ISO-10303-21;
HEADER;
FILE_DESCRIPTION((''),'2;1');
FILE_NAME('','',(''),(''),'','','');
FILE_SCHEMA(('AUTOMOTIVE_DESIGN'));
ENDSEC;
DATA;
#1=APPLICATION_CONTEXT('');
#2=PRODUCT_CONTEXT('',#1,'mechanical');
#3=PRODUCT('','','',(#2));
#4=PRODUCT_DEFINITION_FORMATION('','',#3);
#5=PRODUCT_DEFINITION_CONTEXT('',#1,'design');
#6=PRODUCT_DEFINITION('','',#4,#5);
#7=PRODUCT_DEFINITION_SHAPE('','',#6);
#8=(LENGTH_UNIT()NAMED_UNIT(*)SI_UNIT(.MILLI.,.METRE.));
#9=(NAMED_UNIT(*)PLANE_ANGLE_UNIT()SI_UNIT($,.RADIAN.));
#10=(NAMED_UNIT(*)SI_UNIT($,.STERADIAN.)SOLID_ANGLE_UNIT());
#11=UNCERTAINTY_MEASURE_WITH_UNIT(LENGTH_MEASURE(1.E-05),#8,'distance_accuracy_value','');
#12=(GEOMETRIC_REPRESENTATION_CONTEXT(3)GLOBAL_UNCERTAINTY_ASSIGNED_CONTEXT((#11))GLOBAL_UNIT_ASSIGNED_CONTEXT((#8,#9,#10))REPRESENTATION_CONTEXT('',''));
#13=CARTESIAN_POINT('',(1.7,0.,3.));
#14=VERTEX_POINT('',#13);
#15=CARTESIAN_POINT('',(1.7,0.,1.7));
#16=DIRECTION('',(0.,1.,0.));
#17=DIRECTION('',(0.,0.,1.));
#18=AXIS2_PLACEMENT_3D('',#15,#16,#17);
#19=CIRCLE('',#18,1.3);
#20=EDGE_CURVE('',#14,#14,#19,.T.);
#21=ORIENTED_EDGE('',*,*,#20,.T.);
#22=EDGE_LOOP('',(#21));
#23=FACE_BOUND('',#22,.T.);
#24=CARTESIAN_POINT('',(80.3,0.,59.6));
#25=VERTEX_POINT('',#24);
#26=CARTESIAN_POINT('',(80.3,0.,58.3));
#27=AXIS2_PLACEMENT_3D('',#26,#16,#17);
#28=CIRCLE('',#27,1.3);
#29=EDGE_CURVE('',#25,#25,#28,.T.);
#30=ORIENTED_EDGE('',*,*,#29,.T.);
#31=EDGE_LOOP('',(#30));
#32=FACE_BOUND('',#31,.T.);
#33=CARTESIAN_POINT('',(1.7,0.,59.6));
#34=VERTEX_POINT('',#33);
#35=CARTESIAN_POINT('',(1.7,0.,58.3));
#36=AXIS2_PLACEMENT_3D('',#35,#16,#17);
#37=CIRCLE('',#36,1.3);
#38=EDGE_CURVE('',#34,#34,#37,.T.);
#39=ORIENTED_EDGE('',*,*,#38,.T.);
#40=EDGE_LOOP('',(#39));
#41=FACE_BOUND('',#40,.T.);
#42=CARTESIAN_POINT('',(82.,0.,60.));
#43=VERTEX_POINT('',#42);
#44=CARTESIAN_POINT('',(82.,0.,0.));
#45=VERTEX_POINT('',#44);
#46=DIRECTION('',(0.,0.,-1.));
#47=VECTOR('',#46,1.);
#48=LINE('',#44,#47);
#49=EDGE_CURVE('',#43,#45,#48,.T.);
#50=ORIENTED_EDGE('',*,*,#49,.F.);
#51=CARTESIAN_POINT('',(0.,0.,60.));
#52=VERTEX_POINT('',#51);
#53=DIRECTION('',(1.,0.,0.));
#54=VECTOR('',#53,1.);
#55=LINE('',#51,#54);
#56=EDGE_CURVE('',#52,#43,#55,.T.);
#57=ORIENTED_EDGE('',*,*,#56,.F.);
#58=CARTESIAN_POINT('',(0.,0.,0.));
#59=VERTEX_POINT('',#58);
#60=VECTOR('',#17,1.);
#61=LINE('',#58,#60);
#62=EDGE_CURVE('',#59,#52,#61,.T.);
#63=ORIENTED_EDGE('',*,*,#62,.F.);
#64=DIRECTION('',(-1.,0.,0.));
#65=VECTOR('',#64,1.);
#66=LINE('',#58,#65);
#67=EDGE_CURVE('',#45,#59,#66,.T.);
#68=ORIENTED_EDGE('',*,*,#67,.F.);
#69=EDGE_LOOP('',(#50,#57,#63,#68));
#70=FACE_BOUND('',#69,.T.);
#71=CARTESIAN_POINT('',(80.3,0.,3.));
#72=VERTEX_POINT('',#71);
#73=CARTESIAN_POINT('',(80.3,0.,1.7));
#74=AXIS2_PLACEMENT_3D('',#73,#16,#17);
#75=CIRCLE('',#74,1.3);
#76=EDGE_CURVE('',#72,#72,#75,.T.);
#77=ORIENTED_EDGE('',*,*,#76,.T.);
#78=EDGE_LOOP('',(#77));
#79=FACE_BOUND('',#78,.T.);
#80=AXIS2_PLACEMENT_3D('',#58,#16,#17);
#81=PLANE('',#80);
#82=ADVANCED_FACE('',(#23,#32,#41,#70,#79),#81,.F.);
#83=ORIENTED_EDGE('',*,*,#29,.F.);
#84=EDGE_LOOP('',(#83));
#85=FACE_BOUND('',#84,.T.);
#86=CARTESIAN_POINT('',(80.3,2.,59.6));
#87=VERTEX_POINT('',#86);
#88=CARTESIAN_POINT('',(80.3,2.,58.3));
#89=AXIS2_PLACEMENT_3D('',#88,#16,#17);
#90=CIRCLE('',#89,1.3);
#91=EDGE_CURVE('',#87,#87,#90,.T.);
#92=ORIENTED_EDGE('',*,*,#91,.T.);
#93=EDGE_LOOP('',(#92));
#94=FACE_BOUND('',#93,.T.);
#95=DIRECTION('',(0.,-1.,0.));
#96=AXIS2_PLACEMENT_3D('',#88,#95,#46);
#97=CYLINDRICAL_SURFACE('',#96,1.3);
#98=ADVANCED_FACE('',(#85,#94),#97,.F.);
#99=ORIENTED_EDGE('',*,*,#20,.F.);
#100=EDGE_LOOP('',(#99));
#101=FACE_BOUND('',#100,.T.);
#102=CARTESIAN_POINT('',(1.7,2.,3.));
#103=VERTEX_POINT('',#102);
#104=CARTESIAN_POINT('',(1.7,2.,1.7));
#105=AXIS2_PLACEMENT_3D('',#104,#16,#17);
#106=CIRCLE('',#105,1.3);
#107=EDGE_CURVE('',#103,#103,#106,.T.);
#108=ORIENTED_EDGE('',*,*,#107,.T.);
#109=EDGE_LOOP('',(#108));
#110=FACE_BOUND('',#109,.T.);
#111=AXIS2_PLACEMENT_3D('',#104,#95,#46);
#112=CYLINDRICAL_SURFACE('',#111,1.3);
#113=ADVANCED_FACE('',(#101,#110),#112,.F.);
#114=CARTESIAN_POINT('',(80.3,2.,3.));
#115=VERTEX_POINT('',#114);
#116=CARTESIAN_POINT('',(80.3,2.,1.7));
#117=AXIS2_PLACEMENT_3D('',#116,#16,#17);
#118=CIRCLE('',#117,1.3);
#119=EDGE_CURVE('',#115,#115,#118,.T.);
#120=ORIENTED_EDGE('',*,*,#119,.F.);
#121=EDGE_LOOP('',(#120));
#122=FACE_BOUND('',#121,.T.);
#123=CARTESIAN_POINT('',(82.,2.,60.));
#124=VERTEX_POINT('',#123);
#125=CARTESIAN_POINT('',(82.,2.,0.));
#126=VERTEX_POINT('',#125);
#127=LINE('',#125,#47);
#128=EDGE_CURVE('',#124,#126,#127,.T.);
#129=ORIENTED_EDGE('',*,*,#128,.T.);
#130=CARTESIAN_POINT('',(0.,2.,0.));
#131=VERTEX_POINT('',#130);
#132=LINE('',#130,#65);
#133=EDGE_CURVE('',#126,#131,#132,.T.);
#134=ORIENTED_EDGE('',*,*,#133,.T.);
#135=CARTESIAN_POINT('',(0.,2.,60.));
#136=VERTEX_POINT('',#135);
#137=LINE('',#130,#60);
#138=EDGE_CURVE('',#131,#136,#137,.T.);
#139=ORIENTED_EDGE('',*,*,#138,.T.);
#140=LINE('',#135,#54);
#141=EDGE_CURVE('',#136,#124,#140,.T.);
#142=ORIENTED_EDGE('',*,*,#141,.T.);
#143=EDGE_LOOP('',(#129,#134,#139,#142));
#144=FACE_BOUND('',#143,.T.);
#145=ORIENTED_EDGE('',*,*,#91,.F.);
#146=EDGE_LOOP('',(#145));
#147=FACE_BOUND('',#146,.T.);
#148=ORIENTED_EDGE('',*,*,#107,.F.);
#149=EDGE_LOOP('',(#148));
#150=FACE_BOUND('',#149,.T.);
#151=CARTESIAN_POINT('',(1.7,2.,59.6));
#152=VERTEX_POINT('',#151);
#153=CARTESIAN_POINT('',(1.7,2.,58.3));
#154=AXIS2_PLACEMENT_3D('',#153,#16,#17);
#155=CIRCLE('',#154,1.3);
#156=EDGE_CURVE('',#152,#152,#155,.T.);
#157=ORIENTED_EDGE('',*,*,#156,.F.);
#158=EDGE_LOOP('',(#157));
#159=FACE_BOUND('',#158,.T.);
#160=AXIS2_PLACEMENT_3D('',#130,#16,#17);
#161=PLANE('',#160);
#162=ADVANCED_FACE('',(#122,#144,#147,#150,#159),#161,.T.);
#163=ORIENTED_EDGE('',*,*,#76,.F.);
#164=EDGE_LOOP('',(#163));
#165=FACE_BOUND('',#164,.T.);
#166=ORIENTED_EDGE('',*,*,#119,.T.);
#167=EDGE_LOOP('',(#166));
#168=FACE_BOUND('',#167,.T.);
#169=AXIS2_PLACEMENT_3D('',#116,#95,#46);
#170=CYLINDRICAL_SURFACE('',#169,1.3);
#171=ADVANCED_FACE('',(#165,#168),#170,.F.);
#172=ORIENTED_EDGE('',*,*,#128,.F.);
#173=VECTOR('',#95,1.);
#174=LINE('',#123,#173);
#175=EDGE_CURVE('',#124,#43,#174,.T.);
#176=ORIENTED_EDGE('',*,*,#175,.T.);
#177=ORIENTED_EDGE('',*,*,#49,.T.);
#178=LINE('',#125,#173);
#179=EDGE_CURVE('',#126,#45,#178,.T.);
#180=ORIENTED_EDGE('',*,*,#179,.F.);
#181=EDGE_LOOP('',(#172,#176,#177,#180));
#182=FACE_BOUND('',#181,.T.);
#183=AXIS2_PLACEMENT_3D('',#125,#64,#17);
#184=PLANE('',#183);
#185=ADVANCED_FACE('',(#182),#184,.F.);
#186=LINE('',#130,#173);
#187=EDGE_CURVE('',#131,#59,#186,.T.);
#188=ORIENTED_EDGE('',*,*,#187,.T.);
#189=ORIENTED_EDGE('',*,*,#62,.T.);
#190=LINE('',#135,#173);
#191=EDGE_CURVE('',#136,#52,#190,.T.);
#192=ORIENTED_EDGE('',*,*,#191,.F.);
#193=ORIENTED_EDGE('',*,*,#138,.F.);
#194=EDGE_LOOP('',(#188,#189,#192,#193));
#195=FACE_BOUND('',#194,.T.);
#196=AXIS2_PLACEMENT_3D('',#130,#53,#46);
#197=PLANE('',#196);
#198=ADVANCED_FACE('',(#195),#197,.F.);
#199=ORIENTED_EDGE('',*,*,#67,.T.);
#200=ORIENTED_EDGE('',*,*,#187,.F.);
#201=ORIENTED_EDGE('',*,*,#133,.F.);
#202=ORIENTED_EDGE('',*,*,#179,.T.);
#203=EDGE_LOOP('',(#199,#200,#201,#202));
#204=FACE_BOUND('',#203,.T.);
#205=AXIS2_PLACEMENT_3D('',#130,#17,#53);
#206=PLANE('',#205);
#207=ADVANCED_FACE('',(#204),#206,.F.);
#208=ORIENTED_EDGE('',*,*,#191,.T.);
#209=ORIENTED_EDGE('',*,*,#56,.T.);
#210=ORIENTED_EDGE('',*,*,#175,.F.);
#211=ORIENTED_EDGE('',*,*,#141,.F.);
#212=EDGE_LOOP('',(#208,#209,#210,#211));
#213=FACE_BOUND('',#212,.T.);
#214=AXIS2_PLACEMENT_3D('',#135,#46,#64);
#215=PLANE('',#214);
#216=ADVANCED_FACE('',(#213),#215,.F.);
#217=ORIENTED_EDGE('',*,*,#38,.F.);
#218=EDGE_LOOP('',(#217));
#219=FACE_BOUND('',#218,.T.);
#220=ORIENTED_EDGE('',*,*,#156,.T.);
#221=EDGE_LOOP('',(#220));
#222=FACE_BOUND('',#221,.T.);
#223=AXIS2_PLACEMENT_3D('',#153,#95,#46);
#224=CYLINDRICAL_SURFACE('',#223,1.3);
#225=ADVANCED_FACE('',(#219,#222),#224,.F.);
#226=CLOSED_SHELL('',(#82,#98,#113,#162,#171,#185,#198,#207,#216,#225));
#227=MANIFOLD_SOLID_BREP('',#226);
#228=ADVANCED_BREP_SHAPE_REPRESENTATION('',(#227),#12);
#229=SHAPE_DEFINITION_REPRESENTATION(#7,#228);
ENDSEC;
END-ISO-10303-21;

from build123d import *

# Parameters (mm, degrees)
SKETCH1_W           = 82
SKETCH1_H           = 60
SKETCH1_R           = 1.3
BOSS_EXTRUDE1_DEPTH = 2


with BuildPart() as part:
    # Sketch1 → Boss-Extrude1 (new body)
    with BuildSketch(Plane(origin=(0, 0, 0), x_dir=(1, 0, 0), z_dir=(0, 1, 0))):
        with Locations((41, -30)):
            Rectangle(SKETCH1_W, SKETCH1_H)
        with Locations(Location((80.3, -58.3, 0), (0, 0, 270))):
            Circle(SKETCH1_R, mode=Mode.SUBTRACT)
        with Locations(Location((80.3, -1.7, 0), (0, 0, 270))):
            Circle(SKETCH1_R, mode=Mode.SUBTRACT)
        with Locations(Location((1.7, -1.7, 0), (0, 0, 270))):
            Circle(SKETCH1_R, mode=Mode.SUBTRACT)
        with Locations(Location((1.7, -58.3, 0), (0, 0, 270))):
            Circle(SKETCH1_R, mode=Mode.SUBTRACT)
    extrude(amount=BOSS_EXTRUDE1_DEPTH)


solid = part.part
